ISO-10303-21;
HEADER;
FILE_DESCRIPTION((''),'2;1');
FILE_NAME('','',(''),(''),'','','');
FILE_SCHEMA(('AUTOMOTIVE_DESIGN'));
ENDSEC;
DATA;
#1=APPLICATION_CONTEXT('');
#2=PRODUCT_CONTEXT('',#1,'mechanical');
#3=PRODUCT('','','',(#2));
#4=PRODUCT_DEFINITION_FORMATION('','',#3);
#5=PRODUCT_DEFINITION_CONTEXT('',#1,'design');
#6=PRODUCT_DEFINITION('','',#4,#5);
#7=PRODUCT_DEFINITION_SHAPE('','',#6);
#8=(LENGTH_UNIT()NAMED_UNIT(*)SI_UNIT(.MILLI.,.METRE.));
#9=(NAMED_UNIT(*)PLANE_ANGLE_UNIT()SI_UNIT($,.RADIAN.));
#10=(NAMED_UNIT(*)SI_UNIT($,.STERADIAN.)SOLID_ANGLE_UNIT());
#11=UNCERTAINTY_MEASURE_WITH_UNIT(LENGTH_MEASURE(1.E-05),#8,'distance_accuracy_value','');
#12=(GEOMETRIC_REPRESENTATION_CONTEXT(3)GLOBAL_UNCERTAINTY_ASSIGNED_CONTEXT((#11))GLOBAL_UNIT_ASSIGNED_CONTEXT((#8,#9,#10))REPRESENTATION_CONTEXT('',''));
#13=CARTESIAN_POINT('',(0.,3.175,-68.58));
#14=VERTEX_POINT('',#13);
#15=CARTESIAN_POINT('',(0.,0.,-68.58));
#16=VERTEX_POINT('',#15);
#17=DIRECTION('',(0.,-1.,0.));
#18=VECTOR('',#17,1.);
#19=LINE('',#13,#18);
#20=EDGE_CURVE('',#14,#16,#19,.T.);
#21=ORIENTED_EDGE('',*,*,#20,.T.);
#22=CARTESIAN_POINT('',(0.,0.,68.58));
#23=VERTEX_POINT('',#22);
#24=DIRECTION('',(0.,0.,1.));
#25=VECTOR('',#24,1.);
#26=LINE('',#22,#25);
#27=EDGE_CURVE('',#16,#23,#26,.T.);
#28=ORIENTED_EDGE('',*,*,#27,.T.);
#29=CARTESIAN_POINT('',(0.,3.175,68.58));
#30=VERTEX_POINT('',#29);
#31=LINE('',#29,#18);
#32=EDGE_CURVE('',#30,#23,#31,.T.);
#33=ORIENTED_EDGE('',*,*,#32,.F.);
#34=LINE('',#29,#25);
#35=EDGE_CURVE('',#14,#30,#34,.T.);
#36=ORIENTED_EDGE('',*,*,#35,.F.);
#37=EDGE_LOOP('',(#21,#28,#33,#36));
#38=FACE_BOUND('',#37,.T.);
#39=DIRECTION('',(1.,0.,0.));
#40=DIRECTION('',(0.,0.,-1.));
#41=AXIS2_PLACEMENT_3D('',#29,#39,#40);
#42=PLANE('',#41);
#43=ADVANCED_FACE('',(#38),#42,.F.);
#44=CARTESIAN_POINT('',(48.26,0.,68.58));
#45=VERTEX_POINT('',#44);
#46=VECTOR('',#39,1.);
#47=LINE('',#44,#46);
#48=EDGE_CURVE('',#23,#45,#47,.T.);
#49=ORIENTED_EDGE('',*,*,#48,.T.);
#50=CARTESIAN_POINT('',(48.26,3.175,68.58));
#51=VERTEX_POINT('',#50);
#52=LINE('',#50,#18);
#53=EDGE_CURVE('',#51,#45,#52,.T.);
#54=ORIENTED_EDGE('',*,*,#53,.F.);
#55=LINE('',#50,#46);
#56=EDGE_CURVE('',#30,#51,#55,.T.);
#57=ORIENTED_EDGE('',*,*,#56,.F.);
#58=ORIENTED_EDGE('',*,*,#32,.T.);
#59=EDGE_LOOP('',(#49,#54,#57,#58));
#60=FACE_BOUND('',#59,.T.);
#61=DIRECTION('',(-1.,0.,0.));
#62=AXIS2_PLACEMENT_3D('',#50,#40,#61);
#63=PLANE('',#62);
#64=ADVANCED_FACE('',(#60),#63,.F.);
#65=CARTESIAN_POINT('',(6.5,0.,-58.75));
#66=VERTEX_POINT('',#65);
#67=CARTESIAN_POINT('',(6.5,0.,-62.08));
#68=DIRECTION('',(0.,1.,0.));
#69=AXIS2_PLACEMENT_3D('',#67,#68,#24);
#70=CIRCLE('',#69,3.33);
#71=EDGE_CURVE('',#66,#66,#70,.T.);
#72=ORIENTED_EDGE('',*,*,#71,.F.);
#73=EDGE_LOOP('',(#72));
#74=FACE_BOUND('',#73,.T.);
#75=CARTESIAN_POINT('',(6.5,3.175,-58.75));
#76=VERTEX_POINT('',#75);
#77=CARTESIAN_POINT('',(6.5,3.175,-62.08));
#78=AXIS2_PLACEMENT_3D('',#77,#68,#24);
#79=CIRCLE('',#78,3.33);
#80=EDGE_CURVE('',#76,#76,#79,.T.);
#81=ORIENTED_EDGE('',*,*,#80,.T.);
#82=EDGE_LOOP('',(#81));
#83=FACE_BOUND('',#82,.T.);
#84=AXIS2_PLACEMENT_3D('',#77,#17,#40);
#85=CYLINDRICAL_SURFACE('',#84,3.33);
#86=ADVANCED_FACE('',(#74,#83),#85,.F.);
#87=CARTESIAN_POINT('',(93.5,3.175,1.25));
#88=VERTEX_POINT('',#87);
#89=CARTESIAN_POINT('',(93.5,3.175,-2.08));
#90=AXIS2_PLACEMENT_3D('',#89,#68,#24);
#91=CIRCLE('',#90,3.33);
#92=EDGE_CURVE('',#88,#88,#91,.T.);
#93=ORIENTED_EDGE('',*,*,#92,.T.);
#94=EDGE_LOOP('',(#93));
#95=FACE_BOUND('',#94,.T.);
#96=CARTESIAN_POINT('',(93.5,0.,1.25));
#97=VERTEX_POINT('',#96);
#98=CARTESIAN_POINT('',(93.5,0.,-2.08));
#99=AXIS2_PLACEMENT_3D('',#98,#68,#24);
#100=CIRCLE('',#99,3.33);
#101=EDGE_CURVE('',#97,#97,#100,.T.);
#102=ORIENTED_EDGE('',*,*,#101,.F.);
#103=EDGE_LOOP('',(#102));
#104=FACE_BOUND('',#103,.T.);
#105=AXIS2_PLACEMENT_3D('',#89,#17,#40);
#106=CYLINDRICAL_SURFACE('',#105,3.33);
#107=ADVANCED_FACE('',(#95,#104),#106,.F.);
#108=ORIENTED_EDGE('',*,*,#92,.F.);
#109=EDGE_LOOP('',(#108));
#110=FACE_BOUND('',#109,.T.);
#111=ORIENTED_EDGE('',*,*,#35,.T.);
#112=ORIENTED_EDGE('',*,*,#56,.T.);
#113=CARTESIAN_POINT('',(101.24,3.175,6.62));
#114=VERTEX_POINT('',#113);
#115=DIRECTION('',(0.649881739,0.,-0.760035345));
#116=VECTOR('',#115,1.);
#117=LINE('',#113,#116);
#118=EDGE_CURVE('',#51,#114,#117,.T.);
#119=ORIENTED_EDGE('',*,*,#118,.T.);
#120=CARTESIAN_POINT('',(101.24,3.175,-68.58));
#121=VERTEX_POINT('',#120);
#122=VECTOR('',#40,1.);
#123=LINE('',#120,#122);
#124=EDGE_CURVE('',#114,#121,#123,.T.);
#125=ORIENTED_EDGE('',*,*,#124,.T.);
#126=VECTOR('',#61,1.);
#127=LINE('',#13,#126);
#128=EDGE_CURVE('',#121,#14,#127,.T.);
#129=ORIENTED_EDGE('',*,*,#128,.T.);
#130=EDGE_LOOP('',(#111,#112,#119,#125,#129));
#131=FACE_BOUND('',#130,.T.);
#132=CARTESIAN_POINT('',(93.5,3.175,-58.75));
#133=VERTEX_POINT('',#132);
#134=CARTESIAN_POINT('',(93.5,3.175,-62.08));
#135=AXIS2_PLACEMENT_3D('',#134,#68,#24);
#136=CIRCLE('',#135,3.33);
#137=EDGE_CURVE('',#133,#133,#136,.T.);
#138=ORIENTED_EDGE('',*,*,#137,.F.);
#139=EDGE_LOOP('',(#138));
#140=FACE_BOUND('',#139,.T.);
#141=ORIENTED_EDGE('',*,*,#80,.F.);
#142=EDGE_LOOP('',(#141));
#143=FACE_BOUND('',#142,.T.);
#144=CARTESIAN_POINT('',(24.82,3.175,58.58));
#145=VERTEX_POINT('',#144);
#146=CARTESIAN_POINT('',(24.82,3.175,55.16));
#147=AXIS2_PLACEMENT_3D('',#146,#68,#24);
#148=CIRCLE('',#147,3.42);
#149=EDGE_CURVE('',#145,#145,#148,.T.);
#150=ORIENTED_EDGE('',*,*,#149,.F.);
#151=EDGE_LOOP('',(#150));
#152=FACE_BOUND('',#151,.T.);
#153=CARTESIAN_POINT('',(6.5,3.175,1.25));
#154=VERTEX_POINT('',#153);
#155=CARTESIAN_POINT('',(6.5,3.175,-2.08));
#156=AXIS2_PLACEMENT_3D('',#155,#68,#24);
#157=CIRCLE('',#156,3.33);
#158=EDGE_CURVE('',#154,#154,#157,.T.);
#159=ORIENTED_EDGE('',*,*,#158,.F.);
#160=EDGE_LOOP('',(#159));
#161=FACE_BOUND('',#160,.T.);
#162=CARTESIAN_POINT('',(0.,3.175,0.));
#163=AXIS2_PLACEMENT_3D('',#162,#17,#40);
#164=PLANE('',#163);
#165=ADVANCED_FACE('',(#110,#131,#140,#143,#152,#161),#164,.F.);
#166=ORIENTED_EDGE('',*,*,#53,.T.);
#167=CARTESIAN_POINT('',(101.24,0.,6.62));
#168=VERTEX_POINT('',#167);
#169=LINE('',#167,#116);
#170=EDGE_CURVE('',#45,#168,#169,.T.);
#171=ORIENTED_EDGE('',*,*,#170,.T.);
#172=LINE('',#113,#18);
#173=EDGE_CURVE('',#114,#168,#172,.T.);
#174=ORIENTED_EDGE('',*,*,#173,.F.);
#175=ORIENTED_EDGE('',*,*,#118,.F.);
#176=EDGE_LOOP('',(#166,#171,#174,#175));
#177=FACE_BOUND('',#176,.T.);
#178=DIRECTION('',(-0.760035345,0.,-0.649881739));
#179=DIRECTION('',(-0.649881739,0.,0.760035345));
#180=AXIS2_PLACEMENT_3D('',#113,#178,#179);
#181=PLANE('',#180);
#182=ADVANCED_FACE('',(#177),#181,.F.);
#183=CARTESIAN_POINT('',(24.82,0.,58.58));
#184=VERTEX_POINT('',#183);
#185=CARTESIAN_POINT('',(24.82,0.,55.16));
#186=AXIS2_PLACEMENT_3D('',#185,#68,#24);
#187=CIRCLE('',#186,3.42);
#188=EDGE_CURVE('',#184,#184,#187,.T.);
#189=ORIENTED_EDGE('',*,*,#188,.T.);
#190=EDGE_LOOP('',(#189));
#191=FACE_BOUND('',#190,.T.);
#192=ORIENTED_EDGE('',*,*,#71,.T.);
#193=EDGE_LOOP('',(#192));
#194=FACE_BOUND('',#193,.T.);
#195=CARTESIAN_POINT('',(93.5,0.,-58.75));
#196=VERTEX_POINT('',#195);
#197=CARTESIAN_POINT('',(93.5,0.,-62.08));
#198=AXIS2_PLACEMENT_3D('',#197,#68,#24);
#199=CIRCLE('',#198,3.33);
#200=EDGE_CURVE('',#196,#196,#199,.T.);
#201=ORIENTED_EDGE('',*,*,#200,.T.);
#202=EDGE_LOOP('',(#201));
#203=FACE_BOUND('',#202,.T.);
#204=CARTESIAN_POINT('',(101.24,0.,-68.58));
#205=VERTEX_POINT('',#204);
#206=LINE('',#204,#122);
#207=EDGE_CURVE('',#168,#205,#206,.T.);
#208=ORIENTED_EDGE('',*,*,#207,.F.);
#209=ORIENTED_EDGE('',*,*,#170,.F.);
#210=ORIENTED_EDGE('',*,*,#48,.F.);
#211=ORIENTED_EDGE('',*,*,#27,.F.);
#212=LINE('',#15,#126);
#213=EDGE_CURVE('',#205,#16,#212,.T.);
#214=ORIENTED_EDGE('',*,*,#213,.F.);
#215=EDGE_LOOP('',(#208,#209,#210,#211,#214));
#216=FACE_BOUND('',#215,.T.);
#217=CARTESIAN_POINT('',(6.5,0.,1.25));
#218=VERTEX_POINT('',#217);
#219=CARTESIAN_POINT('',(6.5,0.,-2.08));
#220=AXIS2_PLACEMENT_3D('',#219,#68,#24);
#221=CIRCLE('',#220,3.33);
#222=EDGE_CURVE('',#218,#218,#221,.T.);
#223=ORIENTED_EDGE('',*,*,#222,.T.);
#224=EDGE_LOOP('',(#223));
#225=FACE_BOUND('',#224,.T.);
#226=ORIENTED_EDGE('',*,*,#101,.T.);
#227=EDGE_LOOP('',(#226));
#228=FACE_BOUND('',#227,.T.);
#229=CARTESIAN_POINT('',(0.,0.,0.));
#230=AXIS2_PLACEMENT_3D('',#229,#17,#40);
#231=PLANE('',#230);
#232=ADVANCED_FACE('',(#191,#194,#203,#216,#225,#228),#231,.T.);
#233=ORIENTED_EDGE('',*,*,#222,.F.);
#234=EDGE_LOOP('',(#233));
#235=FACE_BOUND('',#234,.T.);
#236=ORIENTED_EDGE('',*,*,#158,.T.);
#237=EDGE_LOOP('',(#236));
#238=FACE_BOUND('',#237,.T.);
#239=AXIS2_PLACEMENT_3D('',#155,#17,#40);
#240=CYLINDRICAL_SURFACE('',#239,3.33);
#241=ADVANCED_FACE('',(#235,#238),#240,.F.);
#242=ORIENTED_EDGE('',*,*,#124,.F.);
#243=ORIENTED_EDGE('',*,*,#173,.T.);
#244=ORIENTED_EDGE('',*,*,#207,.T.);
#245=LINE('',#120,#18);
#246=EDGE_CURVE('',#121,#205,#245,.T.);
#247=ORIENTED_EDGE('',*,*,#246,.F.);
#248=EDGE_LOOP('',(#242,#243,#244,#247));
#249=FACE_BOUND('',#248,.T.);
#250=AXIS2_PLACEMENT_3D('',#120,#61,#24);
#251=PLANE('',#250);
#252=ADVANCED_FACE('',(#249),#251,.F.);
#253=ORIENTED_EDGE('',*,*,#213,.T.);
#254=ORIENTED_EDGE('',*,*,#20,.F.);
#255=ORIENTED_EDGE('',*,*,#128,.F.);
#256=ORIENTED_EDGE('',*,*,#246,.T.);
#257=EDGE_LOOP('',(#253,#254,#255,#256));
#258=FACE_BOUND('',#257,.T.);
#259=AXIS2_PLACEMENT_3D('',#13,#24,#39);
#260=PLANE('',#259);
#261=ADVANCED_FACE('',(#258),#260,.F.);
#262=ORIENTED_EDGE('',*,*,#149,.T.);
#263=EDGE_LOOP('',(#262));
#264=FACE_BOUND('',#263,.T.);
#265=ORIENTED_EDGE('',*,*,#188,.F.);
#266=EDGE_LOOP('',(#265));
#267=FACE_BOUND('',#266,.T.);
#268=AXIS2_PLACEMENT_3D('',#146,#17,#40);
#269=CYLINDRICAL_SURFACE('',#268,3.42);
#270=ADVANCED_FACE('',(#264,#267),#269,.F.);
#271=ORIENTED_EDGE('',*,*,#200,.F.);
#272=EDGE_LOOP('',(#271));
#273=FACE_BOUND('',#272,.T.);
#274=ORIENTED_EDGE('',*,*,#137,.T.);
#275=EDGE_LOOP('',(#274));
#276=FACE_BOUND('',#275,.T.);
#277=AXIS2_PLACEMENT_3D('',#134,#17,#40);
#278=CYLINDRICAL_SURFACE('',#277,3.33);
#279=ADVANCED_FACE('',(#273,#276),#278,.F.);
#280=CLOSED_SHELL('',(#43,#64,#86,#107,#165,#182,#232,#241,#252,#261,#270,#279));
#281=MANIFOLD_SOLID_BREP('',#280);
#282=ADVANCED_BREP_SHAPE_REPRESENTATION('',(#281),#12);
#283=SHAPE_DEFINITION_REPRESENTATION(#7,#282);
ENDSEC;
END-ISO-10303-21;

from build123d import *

# Parameters (mm, degrees)
SKETCH1_R           = 3.33
SKETCH1_R_2         = 3.42
BOSS_EXTRUDE1_DEPTH = 3.175


with BuildPart() as part:
    # Sketch1 → Boss-Extrude1 (new body)
    with BuildSketch(Plane(origin=(0, 0, 0), x_dir=(1, 0, 0), z_dir=(0, 1, 0))):
        Polygon((0, -68.58), (0, 68.58), (101.24, 68.58), (101.24, -6.62), (48.26, -68.58), align=None)
        with Locations((93.5, 62.08)):
            Circle(SKETCH1_R, mode=Mode.SUBTRACT)
        with Locations((6.5, 62.08)):
            Circle(SKETCH1_R, mode=Mode.SUBTRACT)
        with Locations((93.5, 2.08)):
            Circle(SKETCH1_R, mode=Mode.SUBTRACT)
        with Locations((6.5, 2.08)):
            Circle(SKETCH1_R, mode=Mode.SUBTRACT)
        with Locations((24.82, -55.16)):
            Circle(SKETCH1_R_2, mode=Mode.SUBTRACT)
    extrude(amount=BOSS_EXTRUDE1_DEPTH)


solid = part.part
